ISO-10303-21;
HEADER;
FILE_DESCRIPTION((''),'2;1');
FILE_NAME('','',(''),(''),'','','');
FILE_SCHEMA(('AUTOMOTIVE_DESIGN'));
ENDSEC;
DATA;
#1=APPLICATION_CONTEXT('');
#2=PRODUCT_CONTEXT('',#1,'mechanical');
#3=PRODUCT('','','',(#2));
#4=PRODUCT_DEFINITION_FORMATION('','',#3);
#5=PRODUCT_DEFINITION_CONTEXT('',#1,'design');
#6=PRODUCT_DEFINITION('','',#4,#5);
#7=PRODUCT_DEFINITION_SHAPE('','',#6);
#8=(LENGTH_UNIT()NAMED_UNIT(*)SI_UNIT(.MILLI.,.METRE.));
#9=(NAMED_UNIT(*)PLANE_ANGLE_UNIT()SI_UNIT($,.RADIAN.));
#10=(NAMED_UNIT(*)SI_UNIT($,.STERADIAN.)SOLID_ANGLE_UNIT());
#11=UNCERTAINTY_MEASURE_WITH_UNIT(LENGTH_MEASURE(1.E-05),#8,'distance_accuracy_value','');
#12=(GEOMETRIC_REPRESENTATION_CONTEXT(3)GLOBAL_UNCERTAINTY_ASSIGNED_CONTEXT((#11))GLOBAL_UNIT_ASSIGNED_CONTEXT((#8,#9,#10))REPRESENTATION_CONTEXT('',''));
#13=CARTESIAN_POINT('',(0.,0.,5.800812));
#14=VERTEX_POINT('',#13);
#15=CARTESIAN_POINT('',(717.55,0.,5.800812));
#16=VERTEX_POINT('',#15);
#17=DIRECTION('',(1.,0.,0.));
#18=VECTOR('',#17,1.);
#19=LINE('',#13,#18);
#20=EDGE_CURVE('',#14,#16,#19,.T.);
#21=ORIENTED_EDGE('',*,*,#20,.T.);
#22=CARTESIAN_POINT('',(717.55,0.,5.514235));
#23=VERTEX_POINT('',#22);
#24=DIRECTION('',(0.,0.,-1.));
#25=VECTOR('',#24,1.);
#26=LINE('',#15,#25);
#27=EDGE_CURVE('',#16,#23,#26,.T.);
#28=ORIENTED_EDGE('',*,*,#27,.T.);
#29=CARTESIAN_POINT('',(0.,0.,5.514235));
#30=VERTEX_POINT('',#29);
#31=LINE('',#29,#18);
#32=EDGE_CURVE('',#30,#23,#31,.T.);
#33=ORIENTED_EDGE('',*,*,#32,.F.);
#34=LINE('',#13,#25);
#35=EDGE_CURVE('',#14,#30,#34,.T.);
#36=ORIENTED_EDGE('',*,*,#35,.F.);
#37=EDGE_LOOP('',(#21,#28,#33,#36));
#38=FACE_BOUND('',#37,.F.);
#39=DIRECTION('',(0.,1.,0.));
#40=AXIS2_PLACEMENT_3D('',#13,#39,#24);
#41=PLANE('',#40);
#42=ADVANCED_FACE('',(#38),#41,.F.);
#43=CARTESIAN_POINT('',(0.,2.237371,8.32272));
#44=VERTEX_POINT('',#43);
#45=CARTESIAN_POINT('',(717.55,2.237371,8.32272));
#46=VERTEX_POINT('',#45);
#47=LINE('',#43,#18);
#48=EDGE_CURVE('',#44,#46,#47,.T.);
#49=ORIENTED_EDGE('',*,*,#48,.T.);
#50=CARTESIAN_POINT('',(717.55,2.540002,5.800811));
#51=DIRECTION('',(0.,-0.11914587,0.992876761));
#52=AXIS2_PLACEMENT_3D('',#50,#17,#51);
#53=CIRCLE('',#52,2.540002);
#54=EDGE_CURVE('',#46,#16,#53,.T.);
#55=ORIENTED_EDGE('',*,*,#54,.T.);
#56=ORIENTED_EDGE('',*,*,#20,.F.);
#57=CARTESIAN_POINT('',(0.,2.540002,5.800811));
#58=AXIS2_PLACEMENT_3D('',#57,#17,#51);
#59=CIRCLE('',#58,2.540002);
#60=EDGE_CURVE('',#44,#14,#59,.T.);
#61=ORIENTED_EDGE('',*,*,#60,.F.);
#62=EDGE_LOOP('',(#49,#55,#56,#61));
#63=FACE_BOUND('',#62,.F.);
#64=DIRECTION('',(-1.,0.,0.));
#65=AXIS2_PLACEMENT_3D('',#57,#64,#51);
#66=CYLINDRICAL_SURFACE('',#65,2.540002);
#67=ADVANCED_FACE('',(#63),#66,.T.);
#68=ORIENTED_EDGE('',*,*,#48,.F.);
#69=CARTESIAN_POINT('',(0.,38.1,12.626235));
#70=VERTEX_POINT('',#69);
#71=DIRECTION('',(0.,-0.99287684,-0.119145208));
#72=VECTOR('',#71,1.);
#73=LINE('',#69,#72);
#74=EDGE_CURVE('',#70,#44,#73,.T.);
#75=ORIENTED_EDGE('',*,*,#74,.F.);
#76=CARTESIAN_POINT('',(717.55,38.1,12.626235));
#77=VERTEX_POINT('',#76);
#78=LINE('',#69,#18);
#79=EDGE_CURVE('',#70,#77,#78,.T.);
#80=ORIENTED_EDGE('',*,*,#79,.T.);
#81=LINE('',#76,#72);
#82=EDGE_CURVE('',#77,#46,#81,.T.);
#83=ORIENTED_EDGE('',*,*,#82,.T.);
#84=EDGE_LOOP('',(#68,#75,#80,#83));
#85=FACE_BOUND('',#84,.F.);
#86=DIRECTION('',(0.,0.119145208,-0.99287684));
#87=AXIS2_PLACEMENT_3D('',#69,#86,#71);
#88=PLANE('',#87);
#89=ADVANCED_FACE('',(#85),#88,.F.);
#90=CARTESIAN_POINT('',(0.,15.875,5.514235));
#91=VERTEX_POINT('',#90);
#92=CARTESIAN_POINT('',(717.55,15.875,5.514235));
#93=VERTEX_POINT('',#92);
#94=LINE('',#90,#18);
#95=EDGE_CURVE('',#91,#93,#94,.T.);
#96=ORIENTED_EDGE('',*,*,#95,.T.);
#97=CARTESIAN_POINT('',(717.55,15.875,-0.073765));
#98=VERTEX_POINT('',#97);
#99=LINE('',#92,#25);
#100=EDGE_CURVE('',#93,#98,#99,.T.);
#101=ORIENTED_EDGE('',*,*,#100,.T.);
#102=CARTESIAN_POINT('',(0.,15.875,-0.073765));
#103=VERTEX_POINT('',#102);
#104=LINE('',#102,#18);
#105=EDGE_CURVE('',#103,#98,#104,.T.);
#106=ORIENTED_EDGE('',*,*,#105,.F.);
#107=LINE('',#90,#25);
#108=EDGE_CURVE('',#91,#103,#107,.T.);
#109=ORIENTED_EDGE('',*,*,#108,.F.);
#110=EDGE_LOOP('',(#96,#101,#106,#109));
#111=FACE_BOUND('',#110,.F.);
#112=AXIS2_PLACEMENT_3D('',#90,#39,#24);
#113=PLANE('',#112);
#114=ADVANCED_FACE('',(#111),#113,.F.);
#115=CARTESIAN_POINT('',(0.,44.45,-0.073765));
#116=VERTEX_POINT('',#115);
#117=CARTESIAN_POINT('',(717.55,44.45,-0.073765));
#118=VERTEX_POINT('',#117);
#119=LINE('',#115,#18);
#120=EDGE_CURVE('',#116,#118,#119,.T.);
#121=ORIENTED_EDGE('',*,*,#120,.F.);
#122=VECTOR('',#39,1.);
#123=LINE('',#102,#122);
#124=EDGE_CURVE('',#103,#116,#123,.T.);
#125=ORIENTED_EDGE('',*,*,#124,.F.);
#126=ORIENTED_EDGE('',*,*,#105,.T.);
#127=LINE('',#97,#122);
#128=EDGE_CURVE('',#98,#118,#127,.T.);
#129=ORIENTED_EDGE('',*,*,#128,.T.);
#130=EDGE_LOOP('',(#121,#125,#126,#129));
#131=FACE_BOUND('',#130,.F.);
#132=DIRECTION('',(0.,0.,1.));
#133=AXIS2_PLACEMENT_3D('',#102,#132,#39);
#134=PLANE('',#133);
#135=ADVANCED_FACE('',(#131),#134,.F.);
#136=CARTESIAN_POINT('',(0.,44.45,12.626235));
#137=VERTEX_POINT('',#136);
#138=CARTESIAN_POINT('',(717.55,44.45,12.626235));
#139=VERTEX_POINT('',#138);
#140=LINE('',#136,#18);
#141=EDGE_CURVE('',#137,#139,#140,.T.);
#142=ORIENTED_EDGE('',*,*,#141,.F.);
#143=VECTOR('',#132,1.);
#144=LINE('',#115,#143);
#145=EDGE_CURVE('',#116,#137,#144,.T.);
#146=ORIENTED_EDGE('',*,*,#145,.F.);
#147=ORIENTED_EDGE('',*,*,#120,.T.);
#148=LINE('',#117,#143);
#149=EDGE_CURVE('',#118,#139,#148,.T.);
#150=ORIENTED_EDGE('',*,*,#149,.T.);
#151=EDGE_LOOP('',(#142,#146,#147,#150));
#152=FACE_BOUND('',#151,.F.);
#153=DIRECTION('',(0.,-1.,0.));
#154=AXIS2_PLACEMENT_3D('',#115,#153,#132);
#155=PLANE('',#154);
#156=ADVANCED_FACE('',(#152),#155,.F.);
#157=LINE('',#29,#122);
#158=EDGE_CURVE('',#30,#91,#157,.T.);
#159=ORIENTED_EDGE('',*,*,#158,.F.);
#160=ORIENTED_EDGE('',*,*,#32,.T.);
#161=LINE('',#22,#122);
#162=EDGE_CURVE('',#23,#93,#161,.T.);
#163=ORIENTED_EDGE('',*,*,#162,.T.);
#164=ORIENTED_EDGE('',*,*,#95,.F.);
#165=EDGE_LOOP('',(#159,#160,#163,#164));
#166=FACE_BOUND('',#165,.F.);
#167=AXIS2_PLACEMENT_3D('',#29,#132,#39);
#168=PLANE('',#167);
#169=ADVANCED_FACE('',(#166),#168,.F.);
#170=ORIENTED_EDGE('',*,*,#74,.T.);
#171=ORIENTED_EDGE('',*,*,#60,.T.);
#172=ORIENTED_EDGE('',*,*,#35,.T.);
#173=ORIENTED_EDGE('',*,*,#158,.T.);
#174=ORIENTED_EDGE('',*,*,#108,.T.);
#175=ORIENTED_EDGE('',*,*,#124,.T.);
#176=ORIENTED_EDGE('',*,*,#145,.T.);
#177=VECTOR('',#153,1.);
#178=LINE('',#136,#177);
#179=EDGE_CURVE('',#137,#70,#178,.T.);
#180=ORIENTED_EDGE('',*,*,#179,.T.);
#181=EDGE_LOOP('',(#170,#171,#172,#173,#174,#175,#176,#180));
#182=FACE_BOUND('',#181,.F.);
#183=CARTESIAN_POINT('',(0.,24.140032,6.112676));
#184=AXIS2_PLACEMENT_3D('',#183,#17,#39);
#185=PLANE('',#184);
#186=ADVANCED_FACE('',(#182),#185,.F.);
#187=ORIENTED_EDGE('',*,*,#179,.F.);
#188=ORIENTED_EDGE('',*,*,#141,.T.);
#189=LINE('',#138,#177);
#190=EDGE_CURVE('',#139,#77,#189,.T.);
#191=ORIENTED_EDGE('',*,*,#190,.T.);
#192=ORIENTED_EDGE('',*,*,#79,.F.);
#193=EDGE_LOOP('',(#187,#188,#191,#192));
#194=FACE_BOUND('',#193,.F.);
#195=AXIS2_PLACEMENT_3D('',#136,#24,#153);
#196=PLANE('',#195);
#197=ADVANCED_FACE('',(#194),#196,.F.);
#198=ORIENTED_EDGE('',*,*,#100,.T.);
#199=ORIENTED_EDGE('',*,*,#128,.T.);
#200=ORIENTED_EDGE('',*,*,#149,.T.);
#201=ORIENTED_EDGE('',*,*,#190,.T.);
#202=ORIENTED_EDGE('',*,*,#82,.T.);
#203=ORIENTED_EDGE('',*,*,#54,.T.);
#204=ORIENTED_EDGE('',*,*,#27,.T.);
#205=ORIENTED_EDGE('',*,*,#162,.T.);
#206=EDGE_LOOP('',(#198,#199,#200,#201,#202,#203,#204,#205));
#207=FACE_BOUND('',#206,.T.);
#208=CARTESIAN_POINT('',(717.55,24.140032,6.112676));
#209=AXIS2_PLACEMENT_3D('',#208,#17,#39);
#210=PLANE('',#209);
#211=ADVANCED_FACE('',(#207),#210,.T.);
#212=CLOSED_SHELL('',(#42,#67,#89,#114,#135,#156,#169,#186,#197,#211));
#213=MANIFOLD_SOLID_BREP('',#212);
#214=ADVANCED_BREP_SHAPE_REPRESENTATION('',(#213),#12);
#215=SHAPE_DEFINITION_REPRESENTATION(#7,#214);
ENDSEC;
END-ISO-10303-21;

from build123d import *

# Parameters (mm, degrees)
F1_DEPTH = 717.55


with BuildPart() as f1:
    # F0 (on Right) → F1 (new body)
    with BuildSketch(Plane.YZ):
        with BuildLine():
            Line((15.875, 5.514235), (15.875, -0.073765))
            Line((15.875, -0.073765), (44.45, -0.073765))
            Line((44.45, -0.073765), (44.45, 12.626235))
            Line((44.45, 12.626235), (38.1, 12.626235))
            Line((38.1, 12.626235), (2.237371, 8.32272))
            ThreePointArc((2.237371, 8.32272), (0.639964, 7.486476), (0, 5.800812))
            Line((0, 5.800812), (0, 5.514235))
            Line((0, 5.514235), (15.875, 5.514235))
        make_face()
    extrude(amount=F1_DEPTH)


solid = f1.part
